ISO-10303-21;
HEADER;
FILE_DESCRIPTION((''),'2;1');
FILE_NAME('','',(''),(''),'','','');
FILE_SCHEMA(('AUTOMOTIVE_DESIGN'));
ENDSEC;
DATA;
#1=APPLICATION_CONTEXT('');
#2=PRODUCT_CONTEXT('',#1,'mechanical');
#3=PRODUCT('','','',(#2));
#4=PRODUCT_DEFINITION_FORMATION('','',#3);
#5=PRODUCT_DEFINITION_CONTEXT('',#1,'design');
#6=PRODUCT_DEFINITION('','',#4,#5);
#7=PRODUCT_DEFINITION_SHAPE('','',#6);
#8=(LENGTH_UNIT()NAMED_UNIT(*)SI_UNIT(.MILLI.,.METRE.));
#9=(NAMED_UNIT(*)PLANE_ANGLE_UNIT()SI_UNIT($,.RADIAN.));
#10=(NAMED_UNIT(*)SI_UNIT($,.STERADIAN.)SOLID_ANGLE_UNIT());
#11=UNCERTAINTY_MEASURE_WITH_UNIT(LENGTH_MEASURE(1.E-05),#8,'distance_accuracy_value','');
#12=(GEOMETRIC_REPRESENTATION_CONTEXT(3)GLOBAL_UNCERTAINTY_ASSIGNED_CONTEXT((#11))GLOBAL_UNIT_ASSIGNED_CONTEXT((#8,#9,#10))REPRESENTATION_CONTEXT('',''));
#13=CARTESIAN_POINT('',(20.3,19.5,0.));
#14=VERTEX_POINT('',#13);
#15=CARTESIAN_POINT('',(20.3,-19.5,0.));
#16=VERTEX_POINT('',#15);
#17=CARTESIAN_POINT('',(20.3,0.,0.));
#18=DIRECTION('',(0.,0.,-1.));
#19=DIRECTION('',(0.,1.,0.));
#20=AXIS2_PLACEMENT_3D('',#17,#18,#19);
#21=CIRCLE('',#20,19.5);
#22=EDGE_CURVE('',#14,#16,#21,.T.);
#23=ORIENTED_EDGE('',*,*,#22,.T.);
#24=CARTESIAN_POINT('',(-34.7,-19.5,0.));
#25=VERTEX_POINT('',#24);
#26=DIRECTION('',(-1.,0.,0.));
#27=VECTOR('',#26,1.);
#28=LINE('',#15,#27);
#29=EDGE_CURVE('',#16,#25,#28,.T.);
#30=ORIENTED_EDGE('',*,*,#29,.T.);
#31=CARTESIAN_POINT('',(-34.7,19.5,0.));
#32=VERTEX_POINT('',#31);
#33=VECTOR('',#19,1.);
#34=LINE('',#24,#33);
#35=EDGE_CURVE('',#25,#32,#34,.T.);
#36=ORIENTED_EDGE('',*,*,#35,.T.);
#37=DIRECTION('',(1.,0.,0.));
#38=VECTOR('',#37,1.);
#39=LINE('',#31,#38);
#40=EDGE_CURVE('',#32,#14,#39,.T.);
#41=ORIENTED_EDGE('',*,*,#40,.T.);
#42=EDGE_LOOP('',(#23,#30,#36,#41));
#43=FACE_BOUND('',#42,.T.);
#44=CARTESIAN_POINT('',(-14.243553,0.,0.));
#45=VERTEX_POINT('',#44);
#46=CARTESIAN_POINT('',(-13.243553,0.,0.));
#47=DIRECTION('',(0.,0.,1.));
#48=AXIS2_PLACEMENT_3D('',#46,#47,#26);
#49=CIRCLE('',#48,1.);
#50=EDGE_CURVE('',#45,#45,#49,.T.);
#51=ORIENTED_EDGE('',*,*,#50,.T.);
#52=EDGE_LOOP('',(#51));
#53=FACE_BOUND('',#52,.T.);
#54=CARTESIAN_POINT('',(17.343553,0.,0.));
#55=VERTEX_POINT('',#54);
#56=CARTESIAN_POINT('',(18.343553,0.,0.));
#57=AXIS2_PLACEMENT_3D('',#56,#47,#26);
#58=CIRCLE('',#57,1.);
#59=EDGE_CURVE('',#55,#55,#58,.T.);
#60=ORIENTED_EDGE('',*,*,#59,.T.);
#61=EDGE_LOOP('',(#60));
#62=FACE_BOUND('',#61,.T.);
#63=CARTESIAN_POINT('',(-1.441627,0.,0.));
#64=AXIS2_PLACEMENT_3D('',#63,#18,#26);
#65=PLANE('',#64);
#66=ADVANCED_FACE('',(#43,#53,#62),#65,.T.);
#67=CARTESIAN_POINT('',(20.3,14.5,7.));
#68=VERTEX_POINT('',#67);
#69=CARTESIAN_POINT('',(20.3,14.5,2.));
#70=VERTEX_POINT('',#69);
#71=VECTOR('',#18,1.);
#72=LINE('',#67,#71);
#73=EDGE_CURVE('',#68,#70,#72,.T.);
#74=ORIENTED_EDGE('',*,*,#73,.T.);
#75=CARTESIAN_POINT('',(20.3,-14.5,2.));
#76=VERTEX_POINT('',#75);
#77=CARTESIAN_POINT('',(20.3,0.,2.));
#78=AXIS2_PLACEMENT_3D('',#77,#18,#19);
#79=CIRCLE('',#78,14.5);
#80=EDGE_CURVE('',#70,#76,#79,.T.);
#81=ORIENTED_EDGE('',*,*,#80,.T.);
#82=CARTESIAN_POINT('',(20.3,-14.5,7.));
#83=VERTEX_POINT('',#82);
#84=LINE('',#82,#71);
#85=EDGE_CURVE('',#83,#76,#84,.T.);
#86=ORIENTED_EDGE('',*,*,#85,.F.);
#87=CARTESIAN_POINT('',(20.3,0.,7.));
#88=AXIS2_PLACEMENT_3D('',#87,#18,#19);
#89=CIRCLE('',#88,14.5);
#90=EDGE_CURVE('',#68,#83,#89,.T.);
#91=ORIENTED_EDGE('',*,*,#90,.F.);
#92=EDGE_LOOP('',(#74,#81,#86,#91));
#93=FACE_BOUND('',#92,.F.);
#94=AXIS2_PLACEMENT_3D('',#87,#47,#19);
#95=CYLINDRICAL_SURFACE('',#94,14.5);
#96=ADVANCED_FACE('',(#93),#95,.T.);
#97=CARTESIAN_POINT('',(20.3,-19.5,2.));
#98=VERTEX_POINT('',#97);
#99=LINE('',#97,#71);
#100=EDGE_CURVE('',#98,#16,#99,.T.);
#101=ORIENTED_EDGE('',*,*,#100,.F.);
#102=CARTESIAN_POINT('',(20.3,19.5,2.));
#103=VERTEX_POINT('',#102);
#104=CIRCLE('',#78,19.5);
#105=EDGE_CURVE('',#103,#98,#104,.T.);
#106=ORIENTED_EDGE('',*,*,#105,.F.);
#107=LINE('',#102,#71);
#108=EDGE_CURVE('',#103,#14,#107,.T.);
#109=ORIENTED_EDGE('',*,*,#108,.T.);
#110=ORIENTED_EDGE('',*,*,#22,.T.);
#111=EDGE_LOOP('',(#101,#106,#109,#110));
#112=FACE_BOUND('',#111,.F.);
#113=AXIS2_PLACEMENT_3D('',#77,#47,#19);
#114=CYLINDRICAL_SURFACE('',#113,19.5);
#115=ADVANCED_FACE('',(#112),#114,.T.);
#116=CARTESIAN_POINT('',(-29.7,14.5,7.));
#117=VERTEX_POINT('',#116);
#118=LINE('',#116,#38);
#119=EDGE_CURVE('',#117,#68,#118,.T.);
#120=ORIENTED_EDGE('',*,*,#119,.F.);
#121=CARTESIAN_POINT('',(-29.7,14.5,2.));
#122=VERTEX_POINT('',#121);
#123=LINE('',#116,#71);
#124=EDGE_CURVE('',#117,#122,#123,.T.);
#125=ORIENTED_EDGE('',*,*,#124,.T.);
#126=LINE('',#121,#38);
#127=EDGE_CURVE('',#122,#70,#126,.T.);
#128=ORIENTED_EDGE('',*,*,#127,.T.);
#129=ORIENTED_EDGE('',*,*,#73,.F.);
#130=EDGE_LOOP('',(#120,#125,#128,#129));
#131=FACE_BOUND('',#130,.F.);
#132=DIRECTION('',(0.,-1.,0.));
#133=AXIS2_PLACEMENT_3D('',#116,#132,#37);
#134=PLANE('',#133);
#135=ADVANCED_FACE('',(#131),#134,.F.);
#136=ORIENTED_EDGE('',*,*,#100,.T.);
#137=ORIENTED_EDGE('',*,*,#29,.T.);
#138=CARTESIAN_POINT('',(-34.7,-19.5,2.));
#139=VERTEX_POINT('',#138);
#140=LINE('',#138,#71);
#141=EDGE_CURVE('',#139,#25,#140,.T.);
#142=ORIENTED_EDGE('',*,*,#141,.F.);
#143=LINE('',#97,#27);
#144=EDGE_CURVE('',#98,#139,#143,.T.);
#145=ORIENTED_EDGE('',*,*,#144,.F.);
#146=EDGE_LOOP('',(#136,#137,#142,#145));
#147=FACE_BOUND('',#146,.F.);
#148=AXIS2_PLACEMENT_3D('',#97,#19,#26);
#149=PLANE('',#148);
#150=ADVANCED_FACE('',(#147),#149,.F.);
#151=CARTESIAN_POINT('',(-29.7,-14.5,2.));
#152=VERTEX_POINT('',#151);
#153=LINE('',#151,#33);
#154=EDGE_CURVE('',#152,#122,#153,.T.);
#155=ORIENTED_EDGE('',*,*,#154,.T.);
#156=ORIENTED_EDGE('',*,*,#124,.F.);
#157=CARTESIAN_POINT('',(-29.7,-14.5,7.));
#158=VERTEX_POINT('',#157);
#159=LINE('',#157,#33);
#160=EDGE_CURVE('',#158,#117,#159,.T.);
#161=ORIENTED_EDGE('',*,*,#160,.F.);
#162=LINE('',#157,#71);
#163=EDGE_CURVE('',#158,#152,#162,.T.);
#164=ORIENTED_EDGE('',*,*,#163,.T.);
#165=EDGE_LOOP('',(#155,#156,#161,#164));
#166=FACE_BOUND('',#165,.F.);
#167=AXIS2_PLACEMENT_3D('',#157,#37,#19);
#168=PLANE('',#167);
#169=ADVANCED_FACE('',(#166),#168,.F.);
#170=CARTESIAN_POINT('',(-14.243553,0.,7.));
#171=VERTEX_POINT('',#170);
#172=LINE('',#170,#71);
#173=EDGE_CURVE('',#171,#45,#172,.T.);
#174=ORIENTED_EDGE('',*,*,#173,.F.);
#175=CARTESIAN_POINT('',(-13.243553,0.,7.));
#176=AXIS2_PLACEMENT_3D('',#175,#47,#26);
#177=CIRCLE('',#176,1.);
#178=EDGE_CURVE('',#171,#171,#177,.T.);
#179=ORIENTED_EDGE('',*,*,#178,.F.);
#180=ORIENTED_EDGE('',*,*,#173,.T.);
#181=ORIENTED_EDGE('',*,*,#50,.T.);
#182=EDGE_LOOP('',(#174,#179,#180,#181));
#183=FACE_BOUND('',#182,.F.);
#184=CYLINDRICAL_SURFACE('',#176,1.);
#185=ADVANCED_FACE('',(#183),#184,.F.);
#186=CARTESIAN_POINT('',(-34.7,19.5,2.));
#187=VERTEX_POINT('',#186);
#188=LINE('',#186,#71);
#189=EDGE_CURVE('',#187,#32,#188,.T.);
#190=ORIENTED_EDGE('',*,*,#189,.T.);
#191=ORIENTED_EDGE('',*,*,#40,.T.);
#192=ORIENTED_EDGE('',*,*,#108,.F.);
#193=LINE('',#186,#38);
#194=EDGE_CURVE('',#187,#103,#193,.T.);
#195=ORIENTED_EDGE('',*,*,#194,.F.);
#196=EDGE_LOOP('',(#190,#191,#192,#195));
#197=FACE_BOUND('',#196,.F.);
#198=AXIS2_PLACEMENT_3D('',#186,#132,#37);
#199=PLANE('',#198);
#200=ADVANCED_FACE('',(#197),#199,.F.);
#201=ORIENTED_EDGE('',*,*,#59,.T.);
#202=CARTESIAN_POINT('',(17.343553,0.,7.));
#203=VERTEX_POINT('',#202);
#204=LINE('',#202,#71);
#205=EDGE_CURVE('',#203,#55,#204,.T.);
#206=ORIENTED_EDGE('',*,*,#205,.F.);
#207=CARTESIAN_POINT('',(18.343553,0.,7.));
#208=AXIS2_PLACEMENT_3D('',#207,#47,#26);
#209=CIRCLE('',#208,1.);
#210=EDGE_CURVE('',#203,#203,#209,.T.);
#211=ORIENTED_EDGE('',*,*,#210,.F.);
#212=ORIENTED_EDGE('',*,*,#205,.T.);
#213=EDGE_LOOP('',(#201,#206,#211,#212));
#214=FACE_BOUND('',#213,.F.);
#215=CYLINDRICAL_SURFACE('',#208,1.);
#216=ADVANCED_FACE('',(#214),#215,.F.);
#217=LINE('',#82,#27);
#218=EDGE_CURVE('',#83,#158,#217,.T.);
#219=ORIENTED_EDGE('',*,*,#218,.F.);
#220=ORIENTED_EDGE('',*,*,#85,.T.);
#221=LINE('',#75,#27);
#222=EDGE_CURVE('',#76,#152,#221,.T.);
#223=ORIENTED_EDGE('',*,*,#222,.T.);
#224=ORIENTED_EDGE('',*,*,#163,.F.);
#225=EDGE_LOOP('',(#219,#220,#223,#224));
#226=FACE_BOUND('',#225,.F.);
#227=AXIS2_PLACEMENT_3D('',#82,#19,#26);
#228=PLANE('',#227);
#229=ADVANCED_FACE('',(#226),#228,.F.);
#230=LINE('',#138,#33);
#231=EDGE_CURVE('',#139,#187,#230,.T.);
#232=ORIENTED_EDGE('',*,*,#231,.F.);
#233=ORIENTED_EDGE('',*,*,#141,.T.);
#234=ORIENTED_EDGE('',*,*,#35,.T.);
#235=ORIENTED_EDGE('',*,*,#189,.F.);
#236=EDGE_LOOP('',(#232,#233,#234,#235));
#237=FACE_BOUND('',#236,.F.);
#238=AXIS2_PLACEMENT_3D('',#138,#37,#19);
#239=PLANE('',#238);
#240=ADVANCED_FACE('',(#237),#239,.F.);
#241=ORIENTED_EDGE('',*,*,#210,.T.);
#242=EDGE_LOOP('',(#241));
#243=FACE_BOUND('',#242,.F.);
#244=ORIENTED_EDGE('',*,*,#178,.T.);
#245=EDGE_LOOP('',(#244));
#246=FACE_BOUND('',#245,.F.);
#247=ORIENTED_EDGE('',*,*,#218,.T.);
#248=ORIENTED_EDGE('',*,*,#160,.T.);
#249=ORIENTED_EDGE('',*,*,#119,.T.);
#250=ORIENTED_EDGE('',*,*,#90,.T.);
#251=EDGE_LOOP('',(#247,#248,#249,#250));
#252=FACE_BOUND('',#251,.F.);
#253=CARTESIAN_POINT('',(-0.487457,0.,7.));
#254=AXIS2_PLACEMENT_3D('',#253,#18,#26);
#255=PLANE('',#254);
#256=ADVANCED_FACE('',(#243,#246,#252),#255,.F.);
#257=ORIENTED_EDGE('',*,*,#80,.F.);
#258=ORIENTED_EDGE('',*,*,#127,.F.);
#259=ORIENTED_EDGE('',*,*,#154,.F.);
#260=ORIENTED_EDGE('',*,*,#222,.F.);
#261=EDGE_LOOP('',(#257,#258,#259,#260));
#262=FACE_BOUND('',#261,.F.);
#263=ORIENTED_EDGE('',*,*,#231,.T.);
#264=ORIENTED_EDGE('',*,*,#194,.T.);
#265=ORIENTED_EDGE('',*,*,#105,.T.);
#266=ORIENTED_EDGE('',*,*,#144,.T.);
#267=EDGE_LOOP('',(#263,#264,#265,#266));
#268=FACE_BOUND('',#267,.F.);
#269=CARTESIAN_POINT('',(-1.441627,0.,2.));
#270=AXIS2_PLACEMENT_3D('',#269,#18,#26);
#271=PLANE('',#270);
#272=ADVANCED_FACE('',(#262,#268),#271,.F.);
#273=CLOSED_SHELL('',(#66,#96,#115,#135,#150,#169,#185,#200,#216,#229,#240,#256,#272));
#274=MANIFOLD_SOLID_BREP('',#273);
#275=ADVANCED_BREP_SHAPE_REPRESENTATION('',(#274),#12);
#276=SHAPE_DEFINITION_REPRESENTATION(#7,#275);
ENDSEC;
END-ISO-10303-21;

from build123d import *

# Parameters (mm, degrees)
F1_DEPTH = 5
F3_DEPTH = 2
F4_R     = 1
F5_DEPTH = 25
F6_ANGLE = 180


with BuildPart() as f1:
    # F0 (on Top) → F1 (new body)
    with BuildSketch(Plane.XY):
        with BuildLine():
            ThreePointArc((-25, 14.5), (-39.5, 0), (-25, -14.5))
            Line((-25, -14.5), (25, -14.5))
            Line((25, -14.5), (25, 14.5))
            Line((25, 14.5), (-25, 14.5))
        make_face()
    extrude(amount=F1_DEPTH)

    # F2 (on face) → F3 (join)
    with BuildSketch(Plane.XY.offset(5)):
        with BuildLine():
            Line((-25, -19.5), (30, -19.5))
            Line((30, -19.5), (30, 19.5))
            Line((30, 19.5), (-25, 19.5))
            ThreePointArc((-25, 19.5), (-44.5, 0), (-25, -19.5))
        make_face()
    extrude(amount=F3_DEPTH)

    # F4 (on face) → F5 (cut)
    with BuildSketch(Plane(origin=(0, 0, 0), x_dir=(1, 0, 0), z_dir=(0, 0, -1))):
        with Locations((8.543553, 0)):
            Circle(F4_R)
        with Locations((-23.043553, 0)):
            Circle(F4_R)
    extrude(amount=-F5_DEPTH, mode=Mode.SUBTRACT)


with BuildPart() as f1_1:
    # F6: moved
    add(f1.part.rotate(Axis((30, 0, 7), (0, 1, 0)), F6_ANGLE))


with BuildPart() as f1_2:
    # F7: moved
    add(f1_1.part.moved(Location((-64.7, 0, -7))))


solid = f1_2.part
